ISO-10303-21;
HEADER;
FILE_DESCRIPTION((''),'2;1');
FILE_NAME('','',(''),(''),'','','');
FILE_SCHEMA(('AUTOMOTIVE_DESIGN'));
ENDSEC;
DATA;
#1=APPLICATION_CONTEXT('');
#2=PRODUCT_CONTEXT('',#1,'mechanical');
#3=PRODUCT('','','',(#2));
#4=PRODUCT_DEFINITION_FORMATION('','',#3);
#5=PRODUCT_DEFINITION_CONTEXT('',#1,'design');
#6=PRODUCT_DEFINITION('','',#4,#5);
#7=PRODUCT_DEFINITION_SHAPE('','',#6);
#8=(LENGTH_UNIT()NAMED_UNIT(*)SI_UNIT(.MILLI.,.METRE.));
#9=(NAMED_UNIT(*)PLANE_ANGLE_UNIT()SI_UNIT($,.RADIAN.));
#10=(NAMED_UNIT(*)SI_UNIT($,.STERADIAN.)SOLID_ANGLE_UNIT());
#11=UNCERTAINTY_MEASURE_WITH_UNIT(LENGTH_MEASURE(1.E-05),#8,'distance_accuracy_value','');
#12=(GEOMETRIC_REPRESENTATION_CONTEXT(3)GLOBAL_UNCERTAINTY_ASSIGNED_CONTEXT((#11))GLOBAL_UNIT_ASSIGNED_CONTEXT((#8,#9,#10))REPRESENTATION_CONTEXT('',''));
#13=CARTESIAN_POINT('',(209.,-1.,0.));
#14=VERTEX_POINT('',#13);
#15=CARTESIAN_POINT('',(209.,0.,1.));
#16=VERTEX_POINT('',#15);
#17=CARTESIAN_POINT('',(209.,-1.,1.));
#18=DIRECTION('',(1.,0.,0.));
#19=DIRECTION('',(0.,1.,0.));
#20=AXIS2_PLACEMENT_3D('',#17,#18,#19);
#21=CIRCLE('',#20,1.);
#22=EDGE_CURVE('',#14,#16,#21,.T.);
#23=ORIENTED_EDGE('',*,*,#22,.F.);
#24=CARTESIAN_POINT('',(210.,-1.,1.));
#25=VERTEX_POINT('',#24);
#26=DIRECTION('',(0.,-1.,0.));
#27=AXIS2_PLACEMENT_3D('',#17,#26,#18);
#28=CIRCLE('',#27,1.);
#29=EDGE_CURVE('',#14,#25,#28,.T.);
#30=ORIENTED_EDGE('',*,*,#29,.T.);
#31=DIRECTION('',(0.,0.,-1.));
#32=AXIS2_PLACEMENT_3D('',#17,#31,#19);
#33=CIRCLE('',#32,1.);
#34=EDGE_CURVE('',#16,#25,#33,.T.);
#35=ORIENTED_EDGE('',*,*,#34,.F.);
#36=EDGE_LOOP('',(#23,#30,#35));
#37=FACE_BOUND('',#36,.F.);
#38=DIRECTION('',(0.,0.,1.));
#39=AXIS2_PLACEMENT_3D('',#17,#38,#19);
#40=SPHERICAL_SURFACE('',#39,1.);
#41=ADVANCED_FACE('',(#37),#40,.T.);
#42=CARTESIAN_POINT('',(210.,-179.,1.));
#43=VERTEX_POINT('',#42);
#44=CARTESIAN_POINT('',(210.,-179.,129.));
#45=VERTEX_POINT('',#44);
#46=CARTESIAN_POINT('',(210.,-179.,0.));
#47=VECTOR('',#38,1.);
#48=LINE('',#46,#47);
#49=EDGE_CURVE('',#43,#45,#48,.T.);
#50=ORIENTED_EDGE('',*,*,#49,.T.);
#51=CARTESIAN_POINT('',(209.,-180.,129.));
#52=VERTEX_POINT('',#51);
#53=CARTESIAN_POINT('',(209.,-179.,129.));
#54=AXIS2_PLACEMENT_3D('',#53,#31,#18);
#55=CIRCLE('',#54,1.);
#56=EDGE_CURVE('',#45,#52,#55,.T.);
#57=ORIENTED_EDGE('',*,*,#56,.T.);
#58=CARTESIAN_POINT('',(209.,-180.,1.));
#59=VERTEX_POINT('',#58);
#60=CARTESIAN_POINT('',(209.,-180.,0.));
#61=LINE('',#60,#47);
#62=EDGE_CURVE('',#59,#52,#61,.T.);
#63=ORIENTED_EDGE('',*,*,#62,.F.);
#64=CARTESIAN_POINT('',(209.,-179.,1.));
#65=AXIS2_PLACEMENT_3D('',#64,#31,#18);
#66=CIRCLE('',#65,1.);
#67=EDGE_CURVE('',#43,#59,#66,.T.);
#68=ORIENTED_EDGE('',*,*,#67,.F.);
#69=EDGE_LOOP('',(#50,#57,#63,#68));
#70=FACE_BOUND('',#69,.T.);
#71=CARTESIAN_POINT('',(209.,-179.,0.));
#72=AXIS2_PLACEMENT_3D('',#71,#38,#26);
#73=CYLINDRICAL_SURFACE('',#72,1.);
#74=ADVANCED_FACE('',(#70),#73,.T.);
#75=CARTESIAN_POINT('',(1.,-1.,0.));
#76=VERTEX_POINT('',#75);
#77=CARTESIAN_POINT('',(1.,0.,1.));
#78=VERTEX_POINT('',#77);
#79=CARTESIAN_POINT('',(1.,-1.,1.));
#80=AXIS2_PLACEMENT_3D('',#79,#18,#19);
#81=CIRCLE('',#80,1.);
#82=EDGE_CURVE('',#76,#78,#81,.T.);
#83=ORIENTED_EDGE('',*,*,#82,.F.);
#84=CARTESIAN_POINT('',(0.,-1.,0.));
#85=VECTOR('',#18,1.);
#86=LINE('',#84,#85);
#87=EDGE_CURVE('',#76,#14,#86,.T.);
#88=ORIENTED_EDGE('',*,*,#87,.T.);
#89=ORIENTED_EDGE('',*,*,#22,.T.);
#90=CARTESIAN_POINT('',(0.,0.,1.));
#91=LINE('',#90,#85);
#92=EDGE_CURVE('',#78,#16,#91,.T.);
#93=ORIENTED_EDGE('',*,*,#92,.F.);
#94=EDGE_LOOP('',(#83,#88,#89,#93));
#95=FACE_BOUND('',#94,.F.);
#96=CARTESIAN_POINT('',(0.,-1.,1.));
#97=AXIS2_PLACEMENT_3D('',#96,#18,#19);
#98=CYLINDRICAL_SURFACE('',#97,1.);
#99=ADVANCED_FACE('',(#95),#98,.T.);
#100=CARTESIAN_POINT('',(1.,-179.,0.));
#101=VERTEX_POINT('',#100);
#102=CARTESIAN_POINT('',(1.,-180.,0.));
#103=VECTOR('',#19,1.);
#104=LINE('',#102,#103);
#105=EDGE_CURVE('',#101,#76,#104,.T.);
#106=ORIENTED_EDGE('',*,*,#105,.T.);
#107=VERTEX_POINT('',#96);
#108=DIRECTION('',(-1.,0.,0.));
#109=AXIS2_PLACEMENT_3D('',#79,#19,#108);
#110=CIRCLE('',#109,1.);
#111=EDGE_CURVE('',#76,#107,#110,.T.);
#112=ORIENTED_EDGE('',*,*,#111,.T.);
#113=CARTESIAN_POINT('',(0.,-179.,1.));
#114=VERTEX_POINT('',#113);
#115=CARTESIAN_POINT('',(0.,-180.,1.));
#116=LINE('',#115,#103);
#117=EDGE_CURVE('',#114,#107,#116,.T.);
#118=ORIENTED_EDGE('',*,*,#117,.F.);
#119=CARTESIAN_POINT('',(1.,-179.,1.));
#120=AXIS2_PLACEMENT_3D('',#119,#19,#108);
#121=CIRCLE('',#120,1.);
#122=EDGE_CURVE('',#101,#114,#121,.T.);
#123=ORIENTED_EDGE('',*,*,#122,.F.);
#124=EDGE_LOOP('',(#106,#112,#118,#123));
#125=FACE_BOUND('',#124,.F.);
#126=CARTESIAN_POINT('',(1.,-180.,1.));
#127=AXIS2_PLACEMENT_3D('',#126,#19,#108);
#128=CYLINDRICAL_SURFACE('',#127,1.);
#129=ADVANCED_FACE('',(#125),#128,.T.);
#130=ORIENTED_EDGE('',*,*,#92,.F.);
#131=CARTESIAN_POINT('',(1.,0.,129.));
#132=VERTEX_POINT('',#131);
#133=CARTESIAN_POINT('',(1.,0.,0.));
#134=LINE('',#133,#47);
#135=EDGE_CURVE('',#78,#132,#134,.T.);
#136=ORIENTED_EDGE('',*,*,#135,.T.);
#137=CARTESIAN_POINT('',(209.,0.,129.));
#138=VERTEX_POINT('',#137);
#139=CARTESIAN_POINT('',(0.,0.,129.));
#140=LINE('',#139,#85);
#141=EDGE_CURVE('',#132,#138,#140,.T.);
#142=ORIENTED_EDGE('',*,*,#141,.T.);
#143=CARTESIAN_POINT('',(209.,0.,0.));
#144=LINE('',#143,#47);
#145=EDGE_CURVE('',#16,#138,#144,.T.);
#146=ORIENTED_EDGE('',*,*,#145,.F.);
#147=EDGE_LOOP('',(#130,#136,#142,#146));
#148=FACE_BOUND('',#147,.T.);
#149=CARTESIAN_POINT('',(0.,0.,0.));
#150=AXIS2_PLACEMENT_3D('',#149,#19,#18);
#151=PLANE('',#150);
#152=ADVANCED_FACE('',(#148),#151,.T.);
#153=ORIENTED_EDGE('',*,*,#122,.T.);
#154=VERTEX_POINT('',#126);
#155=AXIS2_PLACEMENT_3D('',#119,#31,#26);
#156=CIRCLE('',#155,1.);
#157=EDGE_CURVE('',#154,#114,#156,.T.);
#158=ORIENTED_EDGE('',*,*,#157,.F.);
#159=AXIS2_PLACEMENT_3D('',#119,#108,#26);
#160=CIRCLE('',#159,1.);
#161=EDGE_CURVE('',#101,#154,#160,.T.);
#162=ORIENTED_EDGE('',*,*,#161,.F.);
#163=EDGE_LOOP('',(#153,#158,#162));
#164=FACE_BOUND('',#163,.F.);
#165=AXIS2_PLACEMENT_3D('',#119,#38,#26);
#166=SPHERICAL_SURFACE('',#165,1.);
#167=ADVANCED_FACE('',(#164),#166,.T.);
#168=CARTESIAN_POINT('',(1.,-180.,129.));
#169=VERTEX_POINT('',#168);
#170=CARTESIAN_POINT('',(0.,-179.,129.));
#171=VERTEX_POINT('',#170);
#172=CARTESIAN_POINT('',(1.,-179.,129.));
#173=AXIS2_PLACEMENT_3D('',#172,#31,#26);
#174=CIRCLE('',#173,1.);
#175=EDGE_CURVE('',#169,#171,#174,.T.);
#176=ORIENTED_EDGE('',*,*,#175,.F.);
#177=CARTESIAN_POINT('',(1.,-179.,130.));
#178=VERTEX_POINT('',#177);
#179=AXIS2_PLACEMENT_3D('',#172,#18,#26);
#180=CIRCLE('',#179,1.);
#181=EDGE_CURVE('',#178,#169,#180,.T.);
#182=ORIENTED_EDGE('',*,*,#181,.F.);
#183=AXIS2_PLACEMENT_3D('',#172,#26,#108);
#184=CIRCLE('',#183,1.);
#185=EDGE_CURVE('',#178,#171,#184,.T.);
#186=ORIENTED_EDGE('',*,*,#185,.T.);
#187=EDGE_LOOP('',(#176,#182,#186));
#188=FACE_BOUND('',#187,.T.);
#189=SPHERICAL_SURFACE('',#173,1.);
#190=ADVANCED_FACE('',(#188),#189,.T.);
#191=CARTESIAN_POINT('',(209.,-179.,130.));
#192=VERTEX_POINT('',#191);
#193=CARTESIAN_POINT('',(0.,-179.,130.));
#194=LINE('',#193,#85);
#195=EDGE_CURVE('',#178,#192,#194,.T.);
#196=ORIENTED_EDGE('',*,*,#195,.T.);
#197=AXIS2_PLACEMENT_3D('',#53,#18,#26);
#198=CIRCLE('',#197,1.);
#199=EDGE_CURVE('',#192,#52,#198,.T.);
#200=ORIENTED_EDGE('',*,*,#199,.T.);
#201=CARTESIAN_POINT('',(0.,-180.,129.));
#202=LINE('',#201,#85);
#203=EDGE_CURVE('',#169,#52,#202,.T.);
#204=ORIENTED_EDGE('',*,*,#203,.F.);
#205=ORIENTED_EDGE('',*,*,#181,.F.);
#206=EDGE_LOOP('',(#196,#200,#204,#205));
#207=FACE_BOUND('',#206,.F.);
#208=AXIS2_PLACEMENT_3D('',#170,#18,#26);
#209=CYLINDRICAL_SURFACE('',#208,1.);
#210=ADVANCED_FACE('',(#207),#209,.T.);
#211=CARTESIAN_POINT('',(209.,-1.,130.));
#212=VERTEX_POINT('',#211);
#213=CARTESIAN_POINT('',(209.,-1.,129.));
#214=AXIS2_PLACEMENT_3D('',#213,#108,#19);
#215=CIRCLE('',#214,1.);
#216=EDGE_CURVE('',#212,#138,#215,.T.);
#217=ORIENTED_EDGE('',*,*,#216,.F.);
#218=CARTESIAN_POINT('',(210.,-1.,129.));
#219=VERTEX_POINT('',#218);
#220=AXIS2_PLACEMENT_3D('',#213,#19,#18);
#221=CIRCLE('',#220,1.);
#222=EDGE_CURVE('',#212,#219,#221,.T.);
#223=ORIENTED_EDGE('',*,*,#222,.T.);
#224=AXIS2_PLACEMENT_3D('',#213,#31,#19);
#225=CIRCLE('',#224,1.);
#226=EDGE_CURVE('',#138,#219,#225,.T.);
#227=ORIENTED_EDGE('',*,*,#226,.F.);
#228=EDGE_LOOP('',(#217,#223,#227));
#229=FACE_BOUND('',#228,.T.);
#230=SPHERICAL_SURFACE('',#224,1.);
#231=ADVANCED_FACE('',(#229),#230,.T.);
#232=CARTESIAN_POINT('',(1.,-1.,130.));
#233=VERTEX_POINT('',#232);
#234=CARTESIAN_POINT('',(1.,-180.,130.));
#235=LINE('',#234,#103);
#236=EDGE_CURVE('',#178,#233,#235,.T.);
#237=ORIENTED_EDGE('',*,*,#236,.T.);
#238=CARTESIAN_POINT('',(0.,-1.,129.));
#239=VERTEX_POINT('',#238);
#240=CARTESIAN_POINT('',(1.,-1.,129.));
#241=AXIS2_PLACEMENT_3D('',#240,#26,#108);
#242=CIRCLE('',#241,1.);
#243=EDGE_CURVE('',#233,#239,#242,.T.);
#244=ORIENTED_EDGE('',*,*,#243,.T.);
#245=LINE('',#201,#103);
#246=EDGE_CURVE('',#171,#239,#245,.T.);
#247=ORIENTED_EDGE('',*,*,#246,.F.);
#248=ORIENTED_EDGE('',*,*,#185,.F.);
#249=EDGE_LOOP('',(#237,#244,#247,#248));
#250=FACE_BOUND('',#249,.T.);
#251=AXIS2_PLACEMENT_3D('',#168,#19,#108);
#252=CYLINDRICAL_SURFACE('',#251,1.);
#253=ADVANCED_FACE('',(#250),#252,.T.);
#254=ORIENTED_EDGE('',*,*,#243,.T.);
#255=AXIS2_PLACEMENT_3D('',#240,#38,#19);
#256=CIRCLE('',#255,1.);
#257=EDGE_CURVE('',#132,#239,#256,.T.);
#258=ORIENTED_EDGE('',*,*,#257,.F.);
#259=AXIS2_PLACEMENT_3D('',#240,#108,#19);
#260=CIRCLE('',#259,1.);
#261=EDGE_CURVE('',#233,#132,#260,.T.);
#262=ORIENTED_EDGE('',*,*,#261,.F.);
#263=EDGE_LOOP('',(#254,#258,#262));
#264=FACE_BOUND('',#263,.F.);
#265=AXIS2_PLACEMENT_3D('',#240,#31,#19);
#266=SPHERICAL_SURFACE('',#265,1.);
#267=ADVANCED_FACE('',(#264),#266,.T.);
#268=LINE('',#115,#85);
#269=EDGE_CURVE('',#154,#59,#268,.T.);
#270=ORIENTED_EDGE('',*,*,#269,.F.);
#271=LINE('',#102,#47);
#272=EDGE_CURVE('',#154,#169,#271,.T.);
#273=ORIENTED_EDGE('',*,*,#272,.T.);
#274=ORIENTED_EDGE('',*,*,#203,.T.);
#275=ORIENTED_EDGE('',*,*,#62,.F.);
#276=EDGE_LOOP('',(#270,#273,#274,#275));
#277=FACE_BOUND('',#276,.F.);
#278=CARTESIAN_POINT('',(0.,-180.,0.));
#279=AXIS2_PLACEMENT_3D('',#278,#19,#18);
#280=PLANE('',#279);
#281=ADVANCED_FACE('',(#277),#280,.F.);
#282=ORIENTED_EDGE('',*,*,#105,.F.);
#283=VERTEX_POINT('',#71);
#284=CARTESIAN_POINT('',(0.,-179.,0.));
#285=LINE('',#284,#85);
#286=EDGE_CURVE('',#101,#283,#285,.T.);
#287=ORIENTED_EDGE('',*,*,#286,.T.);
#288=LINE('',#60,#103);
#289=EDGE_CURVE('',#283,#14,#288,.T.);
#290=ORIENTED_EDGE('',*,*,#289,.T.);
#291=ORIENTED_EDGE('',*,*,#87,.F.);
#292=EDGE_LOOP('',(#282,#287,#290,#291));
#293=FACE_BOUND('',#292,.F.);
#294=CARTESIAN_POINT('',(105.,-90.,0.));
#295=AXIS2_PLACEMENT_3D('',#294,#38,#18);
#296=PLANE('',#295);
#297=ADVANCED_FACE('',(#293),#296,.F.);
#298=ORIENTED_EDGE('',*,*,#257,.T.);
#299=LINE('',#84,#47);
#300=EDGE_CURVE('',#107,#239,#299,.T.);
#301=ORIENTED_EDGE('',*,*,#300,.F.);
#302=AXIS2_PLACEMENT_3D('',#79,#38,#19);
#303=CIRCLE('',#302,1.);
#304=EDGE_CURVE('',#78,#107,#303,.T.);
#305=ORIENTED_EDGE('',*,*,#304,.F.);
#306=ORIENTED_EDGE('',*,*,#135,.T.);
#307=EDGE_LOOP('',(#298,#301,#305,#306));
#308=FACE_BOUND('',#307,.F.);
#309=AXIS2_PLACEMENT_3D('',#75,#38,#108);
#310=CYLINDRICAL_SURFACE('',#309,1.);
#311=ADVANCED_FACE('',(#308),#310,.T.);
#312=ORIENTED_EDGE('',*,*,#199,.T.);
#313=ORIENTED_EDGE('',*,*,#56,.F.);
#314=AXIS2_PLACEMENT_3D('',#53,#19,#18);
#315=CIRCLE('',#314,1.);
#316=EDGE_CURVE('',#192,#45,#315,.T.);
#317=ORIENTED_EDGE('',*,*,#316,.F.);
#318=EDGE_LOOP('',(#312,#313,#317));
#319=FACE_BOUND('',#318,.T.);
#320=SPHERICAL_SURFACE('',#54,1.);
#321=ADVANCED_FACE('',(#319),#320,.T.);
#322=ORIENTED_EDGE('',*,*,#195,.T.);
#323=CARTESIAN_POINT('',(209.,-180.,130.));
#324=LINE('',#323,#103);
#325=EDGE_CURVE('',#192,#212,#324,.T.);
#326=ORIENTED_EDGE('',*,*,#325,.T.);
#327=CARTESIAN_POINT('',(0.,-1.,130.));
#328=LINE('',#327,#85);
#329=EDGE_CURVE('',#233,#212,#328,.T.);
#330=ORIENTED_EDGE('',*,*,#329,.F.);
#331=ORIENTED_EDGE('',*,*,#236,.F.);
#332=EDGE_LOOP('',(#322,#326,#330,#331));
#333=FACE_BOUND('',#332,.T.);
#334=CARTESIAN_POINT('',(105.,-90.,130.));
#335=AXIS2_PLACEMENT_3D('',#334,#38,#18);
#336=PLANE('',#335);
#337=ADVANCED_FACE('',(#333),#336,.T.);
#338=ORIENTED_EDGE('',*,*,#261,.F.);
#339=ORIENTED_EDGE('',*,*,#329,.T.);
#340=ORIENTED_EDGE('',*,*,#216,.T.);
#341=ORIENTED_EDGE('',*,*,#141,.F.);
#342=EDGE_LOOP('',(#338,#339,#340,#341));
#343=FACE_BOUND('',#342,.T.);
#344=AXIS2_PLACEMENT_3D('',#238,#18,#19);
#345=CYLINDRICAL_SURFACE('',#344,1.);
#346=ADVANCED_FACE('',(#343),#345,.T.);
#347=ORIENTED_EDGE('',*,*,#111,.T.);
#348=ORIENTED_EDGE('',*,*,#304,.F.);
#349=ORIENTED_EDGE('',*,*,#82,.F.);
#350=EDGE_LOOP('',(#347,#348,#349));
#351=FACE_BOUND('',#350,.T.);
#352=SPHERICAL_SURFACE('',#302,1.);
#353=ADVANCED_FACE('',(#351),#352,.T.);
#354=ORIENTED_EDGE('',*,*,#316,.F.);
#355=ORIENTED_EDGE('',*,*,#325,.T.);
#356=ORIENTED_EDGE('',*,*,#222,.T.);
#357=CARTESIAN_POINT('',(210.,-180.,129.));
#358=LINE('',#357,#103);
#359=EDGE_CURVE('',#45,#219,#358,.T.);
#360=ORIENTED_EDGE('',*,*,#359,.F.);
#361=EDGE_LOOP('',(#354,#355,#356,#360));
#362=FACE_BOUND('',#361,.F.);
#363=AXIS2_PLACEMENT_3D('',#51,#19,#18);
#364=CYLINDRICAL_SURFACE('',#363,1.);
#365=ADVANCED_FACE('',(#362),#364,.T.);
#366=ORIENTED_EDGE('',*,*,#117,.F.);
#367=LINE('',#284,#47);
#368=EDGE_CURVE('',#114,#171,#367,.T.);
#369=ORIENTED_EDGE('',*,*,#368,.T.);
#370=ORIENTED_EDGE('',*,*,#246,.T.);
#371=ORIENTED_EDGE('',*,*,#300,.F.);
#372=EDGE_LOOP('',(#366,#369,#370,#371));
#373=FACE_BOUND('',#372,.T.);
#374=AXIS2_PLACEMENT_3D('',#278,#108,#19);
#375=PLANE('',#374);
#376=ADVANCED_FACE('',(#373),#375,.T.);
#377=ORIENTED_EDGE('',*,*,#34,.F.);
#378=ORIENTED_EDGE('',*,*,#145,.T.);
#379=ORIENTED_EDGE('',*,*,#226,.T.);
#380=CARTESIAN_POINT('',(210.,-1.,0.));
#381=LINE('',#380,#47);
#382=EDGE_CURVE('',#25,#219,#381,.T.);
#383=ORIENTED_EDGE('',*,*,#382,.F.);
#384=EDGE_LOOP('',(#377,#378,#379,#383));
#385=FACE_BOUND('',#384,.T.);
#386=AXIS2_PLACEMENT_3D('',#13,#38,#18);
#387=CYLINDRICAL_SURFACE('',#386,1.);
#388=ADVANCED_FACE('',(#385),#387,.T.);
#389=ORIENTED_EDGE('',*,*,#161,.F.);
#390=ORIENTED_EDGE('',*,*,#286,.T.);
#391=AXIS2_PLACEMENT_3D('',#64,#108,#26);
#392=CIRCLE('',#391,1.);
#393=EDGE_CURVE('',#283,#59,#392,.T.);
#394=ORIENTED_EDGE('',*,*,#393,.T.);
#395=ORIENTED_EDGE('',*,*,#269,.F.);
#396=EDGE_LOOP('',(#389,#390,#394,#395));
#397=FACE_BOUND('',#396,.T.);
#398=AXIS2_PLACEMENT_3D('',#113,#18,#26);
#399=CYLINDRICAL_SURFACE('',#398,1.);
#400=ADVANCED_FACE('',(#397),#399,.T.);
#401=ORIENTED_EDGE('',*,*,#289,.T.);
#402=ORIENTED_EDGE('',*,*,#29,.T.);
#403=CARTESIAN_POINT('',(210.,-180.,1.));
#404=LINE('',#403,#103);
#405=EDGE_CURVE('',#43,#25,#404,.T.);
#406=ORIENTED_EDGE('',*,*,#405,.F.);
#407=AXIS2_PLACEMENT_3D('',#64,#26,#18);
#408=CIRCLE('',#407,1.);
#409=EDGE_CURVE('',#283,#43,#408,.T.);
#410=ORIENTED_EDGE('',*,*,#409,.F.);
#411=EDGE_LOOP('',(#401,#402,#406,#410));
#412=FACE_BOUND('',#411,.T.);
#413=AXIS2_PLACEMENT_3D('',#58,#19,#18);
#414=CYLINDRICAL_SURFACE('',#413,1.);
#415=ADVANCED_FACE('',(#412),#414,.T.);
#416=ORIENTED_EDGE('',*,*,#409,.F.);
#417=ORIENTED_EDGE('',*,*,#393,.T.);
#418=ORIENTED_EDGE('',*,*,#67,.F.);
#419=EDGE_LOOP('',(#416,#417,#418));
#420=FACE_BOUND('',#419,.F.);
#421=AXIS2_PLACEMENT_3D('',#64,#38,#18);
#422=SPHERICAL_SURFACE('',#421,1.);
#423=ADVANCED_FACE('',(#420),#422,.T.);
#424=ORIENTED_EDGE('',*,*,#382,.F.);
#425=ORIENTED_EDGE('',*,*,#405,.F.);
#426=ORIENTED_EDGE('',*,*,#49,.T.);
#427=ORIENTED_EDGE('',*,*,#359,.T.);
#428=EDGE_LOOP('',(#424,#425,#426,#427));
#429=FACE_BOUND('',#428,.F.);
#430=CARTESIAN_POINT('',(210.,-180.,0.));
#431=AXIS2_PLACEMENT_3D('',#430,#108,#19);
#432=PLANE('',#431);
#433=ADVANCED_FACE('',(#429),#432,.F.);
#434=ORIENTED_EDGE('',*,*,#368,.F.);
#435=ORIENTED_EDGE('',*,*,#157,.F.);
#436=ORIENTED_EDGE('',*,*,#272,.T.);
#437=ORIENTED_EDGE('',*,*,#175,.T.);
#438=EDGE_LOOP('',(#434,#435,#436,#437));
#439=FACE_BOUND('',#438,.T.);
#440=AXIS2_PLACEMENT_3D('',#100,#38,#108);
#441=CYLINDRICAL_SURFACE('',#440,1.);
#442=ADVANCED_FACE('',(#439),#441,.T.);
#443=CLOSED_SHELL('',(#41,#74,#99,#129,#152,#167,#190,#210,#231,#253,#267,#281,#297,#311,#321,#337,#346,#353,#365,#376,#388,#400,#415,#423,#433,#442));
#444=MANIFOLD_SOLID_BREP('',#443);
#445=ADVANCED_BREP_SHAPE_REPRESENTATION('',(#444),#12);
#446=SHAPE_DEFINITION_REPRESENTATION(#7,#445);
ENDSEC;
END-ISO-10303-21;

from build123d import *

# Parameters (mm, degrees)
SKETCH_W  = 210
SKETCH_H  = 180
PAD_DEPTH = 130
FILLET_R  = 1


with BuildPart() as part:
    # Sketch → Pad (new body)
    with BuildSketch(Plane.XY):
        with Locations((105, -90)):
            Rectangle(SKETCH_W, SKETCH_H)
    extrude(amount=PAD_DEPTH)

    # Fillet
    fillet_edges = [part.edges().sort_by_distance(p)[0] for p in [
        (0, 0, 65),
        (210, 0, 65),
        (105, 0, 0),
        (105, 0, 130),
        (210, -180, 65),
        (210, -90, 0),
        (210, -90, 130),
        (0, -180, 65),
        (105, -180, 0),
        (105, -180, 130),
        (0, -90, 0),
        (0, -90, 130),
    ]]
    fillet(fillet_edges, radius=FILLET_R)


solid = part.part
